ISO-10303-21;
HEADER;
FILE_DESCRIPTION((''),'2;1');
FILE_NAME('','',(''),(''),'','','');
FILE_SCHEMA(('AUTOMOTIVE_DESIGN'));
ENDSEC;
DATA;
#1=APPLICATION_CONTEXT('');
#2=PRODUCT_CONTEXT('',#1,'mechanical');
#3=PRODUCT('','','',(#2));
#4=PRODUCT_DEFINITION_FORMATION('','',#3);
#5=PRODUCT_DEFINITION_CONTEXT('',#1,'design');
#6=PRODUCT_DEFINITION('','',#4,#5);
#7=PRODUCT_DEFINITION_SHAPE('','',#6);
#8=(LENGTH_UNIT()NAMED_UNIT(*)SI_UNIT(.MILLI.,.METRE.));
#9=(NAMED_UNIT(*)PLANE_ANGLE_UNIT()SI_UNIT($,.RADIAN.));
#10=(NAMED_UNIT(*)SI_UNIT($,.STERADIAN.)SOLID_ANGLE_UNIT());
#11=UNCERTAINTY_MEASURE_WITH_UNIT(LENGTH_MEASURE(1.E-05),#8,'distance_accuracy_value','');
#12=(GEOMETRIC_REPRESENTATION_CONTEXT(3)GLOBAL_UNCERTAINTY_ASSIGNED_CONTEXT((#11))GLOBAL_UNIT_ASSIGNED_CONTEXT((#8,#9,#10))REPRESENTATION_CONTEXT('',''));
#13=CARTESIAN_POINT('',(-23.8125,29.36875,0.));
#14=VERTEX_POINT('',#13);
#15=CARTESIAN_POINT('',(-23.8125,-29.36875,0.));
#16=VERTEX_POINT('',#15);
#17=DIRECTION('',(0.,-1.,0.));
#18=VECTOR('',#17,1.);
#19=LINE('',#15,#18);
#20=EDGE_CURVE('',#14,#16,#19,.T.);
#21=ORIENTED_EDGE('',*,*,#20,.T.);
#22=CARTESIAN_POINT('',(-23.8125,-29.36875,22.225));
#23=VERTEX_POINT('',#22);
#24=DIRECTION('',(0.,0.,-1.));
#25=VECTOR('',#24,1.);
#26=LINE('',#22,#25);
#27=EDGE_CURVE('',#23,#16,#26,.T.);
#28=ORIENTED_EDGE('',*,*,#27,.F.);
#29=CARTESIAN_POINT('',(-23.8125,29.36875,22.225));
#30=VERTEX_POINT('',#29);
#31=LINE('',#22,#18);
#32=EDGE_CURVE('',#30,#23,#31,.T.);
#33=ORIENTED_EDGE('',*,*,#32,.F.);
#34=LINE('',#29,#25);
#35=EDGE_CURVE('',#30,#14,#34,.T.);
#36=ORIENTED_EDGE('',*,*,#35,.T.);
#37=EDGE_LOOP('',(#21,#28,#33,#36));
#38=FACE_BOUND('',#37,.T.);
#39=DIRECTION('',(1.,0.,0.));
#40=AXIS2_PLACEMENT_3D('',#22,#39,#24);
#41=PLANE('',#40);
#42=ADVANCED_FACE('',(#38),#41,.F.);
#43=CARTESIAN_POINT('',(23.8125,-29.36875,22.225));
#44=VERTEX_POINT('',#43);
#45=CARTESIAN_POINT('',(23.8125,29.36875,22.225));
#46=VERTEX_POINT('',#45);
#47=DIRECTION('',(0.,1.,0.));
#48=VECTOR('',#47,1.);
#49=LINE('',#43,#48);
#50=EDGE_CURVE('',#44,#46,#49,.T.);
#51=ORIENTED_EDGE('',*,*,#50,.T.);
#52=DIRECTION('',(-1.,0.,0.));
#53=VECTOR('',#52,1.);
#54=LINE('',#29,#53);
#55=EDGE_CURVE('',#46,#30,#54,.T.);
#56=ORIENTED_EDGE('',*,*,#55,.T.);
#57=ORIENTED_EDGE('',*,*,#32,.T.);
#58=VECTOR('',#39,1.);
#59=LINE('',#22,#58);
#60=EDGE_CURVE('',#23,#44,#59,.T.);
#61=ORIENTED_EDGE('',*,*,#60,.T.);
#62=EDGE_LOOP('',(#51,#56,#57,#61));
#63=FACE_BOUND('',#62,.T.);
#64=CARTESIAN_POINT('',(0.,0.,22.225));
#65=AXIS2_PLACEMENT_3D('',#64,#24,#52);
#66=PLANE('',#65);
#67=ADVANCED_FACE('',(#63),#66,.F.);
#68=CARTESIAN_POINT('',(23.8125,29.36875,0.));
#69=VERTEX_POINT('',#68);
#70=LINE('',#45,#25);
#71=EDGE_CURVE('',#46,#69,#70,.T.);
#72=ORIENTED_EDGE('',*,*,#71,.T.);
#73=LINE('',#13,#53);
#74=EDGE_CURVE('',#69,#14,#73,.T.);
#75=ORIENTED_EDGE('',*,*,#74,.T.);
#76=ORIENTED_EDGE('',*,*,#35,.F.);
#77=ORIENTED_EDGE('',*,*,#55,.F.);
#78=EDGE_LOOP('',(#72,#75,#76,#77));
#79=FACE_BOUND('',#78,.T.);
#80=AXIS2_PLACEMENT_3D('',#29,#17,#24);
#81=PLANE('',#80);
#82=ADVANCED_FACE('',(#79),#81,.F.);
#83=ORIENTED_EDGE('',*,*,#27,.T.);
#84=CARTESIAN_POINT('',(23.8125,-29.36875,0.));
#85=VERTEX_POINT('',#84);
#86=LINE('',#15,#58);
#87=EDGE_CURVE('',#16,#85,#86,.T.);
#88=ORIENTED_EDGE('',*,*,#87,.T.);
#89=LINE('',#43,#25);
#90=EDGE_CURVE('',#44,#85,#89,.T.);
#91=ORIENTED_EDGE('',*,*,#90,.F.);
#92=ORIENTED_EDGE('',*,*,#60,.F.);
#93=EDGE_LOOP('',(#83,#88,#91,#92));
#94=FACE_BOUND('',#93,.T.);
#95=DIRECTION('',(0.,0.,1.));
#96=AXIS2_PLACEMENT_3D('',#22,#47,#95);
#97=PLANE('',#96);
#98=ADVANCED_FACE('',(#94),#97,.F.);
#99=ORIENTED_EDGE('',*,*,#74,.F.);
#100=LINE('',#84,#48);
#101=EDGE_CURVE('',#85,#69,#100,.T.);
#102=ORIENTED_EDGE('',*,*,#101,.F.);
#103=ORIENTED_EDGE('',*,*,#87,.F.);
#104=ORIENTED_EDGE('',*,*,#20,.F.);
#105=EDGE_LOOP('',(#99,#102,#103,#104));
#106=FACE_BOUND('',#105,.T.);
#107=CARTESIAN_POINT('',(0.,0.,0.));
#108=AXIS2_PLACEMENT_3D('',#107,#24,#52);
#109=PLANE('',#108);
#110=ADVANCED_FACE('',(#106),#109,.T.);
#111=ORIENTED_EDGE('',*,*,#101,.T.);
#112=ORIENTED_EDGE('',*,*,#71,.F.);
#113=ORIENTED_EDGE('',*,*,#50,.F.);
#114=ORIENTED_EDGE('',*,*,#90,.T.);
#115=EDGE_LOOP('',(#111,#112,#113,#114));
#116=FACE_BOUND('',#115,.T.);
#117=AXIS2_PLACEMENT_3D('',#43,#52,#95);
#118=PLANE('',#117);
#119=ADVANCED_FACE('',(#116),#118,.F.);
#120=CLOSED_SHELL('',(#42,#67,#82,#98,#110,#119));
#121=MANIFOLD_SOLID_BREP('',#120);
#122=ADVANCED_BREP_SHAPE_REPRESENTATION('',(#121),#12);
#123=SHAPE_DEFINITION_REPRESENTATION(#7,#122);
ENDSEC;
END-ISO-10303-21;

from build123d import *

# Parameters (mm, degrees)
SKETCH1_W           = 47.625
SKETCH1_H           = 58.7375
BOSS_EXTRUDE1_DEPTH = 22.225


with BuildPart() as part:
    # Sketch1 → Boss-Extrude1 (new body)
    with BuildSketch(Plane.XY):
        Rectangle(SKETCH1_W, SKETCH1_H)
    extrude(amount=BOSS_EXTRUDE1_DEPTH)


solid = part.part
